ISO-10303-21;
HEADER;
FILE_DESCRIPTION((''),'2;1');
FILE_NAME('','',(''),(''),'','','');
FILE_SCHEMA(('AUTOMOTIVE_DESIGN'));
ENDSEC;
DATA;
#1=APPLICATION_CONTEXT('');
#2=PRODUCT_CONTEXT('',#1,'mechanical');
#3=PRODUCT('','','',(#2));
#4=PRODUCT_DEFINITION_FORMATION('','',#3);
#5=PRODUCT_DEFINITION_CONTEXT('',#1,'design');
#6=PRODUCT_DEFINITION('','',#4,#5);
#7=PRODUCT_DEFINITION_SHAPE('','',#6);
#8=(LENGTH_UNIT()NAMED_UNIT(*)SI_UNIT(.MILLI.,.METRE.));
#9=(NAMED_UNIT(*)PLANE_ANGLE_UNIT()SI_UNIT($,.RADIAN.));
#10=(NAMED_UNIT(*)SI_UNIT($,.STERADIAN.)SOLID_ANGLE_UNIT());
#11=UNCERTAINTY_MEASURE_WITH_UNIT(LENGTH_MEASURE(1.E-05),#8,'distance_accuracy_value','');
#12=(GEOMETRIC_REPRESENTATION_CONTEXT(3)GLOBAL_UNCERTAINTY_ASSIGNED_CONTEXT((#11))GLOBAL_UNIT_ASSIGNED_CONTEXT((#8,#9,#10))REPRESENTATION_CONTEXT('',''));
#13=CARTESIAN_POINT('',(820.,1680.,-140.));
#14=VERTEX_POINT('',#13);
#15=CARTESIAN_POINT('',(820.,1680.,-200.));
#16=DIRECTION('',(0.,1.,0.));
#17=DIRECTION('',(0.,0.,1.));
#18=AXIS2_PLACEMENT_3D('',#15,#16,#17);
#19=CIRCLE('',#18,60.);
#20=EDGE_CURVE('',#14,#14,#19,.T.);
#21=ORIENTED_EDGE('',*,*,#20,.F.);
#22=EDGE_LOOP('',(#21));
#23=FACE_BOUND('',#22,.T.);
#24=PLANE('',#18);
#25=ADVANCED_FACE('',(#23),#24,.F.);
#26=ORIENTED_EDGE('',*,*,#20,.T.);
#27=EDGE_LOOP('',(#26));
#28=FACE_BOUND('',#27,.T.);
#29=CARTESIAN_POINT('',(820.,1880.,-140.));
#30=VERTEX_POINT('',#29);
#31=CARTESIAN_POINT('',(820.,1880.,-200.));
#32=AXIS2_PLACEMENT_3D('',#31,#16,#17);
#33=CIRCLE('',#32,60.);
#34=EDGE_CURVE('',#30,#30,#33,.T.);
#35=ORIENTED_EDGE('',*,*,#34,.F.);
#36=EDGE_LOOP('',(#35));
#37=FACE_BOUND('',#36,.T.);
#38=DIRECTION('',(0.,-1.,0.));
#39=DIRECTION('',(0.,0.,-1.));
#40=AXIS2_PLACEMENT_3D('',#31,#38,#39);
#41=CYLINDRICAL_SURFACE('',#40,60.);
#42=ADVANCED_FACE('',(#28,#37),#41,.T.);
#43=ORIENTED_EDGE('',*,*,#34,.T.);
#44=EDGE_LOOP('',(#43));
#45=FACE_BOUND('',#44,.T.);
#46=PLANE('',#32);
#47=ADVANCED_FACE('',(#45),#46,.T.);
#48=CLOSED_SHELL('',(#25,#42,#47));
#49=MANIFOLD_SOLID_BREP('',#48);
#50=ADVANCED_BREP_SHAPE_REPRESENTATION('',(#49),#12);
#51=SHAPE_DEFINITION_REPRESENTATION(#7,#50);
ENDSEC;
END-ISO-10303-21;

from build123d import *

# Parameters (mm, degrees)
STORE_SOG2_KOMPRESOR_START = 1680
SKETCH1_R                  = 60
STORE_SOG2_KOMPRESOR_DEPTH = 200


with BuildPart() as part:
    # Sketch1 → STORE_sog2_kompresor (new body)
    with BuildSketch(Plane(origin=(0, 0, 0), x_dir=(1, 0, 0), z_dir=(0, 1, 0)).offset(STORE_SOG2_KOMPRESOR_START)):
        with Locations(Location((820, 200, 0), (0, 0, 270))):
            Circle(SKETCH1_R)
    extrude(amount=STORE_SOG2_KOMPRESOR_DEPTH)


solid = part.part
